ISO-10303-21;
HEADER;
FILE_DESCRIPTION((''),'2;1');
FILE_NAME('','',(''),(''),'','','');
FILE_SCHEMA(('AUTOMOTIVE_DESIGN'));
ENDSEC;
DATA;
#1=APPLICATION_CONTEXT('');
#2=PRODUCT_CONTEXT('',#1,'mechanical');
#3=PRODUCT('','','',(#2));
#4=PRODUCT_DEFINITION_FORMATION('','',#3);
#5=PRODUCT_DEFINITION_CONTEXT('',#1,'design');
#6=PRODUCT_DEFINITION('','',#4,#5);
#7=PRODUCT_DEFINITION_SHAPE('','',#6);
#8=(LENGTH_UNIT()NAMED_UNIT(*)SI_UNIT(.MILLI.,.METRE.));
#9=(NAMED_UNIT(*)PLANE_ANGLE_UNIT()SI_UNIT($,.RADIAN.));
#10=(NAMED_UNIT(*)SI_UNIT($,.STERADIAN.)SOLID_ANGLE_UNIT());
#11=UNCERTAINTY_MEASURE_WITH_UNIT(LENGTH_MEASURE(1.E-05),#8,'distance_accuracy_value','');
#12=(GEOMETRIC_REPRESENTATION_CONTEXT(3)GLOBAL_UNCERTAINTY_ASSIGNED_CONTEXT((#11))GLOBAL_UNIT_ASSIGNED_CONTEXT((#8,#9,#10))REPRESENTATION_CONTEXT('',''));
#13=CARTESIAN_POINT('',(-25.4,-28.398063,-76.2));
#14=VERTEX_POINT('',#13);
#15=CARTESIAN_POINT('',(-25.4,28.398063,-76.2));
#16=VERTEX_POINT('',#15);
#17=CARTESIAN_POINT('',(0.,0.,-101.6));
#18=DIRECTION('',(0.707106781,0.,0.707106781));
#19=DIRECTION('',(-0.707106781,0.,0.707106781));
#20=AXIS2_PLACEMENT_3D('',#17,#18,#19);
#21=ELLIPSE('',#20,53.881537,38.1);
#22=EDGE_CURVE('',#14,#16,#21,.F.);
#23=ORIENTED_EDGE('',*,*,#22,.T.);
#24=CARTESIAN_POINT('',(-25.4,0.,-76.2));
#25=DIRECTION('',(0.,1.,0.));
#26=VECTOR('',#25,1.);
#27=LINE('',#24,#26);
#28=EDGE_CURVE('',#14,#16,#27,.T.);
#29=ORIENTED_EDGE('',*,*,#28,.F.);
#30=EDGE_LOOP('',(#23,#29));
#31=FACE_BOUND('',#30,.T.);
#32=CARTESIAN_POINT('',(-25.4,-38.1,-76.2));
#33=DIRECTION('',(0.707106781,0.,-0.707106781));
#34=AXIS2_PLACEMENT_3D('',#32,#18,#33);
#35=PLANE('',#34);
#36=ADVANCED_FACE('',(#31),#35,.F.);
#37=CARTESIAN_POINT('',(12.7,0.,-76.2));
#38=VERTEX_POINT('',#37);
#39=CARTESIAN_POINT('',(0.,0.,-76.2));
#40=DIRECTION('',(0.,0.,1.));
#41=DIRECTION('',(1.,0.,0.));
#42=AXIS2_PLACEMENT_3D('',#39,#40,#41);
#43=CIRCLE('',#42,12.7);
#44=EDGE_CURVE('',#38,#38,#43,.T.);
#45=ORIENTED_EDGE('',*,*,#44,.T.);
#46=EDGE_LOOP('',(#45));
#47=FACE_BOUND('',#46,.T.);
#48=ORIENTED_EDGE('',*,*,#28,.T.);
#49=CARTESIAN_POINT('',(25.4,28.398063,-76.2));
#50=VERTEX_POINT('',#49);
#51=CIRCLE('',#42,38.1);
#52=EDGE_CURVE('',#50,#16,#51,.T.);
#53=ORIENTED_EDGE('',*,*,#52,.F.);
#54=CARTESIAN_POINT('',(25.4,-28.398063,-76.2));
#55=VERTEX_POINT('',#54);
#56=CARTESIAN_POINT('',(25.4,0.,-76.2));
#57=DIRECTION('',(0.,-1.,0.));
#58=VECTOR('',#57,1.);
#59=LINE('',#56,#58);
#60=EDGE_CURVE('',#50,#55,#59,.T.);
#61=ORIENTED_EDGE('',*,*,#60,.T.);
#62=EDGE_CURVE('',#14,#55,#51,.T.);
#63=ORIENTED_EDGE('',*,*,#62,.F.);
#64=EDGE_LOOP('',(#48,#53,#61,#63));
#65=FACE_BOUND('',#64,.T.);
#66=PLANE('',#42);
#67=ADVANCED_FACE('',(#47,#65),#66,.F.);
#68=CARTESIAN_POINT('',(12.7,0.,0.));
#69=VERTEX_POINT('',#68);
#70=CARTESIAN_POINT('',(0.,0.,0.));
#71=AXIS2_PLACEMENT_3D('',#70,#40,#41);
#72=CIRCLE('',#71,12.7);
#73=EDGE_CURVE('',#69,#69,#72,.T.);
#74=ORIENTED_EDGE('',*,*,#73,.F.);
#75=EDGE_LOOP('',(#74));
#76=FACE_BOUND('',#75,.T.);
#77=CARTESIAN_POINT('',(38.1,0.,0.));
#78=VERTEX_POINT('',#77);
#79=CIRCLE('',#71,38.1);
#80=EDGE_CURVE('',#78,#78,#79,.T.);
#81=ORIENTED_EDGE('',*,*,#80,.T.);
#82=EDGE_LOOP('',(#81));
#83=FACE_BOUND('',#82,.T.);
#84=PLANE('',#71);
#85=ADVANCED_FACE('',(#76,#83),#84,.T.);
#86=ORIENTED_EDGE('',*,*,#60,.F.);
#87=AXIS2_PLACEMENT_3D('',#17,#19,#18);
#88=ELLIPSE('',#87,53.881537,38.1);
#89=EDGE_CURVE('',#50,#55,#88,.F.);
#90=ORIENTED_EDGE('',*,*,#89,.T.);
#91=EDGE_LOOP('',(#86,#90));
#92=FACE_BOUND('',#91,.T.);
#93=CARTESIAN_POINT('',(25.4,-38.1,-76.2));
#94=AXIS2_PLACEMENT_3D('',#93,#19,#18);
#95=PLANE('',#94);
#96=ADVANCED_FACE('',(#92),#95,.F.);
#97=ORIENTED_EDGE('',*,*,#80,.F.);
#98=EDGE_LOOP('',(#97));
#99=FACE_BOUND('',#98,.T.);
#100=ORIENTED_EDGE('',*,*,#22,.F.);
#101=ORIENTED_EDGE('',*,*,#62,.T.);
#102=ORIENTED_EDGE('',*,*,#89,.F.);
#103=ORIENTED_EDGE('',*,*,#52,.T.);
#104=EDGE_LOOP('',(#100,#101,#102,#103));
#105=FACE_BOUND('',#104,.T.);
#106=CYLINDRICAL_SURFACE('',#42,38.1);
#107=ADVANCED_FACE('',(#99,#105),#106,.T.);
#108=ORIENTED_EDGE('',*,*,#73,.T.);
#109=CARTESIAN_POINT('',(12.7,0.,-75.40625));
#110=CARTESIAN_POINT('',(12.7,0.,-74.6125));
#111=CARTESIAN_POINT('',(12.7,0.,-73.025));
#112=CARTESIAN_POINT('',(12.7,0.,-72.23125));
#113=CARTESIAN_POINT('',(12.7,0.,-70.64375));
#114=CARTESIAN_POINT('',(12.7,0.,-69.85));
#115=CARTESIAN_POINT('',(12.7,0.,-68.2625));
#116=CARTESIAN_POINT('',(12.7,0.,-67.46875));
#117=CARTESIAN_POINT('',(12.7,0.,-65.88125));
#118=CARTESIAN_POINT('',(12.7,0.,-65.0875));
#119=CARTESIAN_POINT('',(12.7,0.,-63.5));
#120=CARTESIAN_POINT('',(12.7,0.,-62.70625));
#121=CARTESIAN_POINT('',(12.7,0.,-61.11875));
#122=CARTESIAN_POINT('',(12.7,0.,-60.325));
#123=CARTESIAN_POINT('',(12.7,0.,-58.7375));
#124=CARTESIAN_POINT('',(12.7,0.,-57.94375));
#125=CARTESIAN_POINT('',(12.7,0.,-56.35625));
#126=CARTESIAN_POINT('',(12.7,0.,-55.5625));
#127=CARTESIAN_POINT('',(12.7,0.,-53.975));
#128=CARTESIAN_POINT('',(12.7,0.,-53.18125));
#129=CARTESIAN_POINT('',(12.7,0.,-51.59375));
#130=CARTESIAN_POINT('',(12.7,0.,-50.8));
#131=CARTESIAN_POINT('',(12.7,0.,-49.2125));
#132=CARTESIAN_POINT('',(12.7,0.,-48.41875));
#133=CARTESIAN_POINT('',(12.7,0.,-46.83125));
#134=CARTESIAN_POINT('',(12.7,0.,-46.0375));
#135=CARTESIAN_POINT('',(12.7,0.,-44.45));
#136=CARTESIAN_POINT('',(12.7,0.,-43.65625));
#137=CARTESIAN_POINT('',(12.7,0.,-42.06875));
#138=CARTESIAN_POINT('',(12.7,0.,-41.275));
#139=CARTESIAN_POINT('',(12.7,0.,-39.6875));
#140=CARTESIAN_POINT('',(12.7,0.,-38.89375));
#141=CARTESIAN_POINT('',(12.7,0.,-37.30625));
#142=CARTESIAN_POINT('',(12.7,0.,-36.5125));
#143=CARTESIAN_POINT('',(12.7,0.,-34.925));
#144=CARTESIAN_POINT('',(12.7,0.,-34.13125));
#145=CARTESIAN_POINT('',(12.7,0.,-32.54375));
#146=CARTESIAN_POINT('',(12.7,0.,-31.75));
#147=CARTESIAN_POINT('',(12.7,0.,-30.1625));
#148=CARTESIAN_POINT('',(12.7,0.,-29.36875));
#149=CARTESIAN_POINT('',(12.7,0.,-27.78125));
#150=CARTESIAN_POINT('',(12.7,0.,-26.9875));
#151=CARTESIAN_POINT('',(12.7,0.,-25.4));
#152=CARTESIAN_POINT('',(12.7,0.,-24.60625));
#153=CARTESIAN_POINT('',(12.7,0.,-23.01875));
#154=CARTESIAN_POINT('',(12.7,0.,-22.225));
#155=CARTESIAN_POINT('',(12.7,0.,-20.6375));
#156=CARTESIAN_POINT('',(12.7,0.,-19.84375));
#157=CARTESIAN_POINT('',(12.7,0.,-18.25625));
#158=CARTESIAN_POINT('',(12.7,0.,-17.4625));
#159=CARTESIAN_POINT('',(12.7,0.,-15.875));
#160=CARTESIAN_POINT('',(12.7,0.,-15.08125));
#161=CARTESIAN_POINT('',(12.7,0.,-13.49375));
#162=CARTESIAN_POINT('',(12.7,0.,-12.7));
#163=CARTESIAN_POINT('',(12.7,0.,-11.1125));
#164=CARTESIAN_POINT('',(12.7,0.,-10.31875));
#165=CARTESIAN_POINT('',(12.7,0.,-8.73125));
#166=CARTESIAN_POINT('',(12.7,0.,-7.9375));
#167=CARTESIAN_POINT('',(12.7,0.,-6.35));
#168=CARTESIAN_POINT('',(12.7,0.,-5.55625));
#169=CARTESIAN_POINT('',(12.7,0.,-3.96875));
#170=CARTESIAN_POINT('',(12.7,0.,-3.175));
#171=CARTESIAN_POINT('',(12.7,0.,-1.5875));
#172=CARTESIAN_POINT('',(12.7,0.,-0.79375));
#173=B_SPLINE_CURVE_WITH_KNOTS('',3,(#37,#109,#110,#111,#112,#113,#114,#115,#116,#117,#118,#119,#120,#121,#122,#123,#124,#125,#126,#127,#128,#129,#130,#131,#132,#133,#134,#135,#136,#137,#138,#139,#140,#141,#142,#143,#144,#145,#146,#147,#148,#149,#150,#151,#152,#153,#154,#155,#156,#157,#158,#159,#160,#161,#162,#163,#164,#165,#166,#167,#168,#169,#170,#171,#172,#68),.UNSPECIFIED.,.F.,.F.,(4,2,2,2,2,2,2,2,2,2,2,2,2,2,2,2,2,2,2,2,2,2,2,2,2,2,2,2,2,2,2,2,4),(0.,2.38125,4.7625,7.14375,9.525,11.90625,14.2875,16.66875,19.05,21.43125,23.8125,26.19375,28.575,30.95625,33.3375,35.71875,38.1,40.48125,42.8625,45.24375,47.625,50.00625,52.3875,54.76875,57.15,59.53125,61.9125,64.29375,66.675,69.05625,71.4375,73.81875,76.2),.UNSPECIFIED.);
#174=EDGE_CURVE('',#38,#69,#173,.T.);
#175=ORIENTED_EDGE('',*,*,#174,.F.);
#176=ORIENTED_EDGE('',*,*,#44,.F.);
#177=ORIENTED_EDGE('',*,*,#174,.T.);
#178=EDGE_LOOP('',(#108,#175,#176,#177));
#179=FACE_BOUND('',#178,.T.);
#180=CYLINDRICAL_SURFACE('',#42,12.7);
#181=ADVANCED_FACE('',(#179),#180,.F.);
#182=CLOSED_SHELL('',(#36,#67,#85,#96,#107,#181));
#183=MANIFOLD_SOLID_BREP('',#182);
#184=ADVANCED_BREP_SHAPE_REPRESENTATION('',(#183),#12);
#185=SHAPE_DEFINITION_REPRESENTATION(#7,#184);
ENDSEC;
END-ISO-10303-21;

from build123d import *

# Parameters (mm, degrees)
SKETCH1_R               = 38.1
SKETCH1_R_2             = 12.7
BOSS_EXTRUDE1_DEPTH     = 76.2
CUT_EXTRUDE1_DEPTH      = 94.3255592
CUT_EXTRUDE1_DEPTH_BACK = 94.3255592


with BuildPart() as part:
    # Sketch1 → Boss-Extrude1 (new body)
    with BuildSketch(Plane.XY):
        Circle(SKETCH1_R)
        Circle(SKETCH1_R_2, mode=Mode.SUBTRACT)
    extrude(amount=-BOSS_EXTRUDE1_DEPTH)

    # Sketch2 → Cut-Extrude1 (cut, two sides: drawn at the far end of the back side and taken through both)
    with BuildSketch(Plane(origin=(0, 0, 0), x_dir=(1, 0, 0), z_dir=(0, 1, 0)).offset(-CUT_EXTRUDE1_DEPTH_BACK)):
        Polygon((-25.4, 76.2), (-38.1, 63.5), (-38.1, 76.2), align=None)
        Polygon((38.1, 76.2), (25.4, 76.2), (38.1, 63.5), align=None)
    extrude(amount=CUT_EXTRUDE1_DEPTH + CUT_EXTRUDE1_DEPTH_BACK, mode=Mode.SUBTRACT)


solid = part.part
